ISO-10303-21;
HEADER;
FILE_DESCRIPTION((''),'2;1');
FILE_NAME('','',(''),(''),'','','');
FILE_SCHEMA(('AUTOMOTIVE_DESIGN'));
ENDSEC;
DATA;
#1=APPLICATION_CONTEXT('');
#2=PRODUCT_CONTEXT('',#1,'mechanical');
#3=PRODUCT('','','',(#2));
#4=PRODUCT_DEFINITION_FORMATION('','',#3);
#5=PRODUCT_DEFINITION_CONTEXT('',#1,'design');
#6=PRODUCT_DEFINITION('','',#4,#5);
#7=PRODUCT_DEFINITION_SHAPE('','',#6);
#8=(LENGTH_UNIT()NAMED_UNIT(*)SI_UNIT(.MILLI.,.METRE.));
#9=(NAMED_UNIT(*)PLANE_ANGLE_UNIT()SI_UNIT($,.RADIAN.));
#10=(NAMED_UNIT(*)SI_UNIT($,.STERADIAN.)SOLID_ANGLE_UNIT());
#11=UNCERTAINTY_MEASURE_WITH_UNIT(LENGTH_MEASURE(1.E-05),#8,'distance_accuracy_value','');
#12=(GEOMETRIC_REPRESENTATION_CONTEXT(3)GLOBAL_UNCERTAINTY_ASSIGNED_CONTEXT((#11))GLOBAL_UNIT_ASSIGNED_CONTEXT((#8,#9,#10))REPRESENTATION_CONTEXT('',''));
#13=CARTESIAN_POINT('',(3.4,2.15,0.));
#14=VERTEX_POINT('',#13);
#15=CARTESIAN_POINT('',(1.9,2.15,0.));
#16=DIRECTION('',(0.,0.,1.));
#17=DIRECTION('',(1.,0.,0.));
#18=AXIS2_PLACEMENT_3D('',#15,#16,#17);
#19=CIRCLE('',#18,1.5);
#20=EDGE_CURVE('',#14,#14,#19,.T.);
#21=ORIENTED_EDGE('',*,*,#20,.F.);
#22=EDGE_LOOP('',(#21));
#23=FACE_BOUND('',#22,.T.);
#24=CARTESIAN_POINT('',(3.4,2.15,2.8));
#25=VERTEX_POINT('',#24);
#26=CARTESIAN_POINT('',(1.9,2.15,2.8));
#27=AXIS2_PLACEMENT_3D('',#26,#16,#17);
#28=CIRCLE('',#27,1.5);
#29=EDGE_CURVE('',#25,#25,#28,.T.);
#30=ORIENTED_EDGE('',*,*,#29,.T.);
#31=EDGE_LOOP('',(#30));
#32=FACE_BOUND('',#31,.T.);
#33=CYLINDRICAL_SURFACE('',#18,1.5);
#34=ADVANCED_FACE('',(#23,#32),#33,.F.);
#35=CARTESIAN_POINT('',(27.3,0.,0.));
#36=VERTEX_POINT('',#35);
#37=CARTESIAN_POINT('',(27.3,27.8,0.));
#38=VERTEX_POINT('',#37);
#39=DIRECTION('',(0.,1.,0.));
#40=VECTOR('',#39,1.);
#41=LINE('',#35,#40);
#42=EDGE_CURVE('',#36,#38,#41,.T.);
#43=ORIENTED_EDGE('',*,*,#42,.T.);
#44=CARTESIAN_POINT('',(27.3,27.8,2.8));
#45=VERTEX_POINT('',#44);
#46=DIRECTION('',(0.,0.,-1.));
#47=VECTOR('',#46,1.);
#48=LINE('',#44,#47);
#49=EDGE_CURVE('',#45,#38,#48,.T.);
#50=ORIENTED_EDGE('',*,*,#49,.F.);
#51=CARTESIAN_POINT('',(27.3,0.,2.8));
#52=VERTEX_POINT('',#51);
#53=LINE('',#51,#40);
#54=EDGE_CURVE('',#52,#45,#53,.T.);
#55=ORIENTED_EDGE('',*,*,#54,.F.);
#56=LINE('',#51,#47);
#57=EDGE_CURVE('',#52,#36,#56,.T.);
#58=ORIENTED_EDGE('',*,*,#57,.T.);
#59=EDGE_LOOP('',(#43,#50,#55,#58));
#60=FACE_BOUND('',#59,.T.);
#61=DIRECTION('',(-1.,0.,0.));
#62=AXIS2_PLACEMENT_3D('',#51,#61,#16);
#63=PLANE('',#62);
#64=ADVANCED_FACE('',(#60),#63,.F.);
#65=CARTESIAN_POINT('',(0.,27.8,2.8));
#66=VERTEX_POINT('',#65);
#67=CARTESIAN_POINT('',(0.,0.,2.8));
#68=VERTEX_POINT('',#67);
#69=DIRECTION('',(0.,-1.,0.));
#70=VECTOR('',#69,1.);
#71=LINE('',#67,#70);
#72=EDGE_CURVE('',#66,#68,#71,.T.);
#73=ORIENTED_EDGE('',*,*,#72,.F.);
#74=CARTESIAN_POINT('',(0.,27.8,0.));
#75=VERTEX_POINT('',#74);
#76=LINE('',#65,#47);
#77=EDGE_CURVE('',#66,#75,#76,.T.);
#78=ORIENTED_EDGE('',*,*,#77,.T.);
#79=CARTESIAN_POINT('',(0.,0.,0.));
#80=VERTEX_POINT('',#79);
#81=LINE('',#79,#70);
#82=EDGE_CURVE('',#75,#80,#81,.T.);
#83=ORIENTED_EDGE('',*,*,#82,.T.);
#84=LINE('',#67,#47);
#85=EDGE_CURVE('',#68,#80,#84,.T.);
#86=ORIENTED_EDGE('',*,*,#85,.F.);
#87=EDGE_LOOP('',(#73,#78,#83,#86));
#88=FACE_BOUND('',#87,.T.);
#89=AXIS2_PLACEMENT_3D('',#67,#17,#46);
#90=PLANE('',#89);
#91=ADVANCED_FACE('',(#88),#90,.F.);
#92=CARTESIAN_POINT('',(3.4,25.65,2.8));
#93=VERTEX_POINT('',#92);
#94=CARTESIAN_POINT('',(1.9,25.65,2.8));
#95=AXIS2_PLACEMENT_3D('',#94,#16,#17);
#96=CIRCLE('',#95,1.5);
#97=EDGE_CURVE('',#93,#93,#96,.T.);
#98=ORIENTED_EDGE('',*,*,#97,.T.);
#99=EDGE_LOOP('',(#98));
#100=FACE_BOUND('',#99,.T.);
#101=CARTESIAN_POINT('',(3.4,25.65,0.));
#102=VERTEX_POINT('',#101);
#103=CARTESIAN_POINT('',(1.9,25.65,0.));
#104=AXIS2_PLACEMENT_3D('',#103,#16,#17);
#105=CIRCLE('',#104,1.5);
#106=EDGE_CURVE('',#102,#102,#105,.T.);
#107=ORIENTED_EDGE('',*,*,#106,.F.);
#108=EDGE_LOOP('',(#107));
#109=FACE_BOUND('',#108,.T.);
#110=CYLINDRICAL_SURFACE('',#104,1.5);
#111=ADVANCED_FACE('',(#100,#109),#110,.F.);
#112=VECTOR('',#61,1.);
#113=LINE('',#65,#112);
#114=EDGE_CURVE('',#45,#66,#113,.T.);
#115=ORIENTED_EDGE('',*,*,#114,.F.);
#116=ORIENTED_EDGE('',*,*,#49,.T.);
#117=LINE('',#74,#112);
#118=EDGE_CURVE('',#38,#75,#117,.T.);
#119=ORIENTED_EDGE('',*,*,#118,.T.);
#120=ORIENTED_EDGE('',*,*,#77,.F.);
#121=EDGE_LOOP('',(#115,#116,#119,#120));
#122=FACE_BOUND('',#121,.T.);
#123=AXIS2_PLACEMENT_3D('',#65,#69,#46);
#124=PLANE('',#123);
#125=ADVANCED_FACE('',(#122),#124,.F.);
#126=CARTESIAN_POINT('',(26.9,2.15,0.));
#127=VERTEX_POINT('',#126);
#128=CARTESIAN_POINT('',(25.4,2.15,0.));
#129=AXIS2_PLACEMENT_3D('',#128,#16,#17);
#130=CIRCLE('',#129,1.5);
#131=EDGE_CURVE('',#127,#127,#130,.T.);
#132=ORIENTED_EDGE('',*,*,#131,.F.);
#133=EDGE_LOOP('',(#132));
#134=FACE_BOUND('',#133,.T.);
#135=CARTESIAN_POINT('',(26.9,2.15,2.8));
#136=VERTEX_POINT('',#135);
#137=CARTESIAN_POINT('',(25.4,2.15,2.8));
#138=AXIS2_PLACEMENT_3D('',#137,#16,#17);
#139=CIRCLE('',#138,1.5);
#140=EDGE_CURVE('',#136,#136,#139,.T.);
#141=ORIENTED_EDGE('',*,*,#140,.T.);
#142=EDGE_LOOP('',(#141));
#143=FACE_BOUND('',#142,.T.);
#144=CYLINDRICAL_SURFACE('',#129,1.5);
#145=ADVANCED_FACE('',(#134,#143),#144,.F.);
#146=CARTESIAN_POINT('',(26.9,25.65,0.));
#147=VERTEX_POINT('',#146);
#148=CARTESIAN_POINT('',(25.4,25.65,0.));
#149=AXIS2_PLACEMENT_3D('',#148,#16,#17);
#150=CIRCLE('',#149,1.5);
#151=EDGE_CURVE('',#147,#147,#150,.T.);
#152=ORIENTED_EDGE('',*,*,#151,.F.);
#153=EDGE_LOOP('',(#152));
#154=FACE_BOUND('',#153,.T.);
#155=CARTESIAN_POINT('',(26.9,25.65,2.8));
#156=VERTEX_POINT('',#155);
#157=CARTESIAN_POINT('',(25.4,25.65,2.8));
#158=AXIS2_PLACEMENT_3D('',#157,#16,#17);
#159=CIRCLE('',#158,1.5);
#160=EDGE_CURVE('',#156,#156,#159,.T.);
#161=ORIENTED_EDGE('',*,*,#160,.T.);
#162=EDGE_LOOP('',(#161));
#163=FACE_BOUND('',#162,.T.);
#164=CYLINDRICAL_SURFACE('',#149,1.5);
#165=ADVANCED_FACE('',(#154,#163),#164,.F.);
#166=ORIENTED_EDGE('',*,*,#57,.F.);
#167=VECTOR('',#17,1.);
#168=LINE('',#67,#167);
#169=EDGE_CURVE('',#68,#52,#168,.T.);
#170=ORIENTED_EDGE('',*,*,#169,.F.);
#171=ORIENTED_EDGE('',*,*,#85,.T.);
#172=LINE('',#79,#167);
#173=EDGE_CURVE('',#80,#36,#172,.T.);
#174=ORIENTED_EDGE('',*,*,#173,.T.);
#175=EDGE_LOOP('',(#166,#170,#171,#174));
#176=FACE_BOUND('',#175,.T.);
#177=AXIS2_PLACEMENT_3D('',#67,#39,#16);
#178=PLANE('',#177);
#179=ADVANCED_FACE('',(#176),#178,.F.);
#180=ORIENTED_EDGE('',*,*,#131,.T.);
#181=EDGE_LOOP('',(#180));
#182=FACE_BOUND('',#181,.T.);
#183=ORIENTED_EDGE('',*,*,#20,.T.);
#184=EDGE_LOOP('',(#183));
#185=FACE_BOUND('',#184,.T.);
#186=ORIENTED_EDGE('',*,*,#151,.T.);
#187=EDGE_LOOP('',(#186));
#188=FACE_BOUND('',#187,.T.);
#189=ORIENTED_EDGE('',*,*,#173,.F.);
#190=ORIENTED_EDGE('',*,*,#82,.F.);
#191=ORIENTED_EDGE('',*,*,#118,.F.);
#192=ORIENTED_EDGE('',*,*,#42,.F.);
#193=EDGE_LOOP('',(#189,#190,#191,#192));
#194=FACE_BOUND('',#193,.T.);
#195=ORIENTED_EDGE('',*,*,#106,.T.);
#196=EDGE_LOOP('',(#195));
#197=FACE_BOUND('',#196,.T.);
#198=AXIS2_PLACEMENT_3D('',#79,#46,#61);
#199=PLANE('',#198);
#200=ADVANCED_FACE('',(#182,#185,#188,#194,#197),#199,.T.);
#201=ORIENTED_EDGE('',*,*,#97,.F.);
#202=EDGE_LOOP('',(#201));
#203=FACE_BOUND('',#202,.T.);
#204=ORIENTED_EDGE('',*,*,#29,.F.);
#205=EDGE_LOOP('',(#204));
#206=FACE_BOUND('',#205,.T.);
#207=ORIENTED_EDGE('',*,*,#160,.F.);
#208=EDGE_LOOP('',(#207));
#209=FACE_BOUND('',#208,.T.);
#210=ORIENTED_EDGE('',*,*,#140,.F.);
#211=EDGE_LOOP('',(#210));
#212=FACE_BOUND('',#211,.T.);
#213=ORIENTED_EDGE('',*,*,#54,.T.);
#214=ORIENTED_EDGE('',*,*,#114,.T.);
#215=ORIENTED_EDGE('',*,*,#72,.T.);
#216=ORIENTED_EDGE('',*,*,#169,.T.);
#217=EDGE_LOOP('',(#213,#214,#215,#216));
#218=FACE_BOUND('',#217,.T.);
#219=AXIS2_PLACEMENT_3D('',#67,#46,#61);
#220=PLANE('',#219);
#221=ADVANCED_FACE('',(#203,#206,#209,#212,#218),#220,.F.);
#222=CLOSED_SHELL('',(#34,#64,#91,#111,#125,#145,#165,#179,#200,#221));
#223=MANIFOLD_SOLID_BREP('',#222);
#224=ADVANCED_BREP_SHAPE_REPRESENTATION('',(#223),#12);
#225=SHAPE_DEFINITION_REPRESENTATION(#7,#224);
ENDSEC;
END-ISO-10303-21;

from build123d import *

# Parameters (mm, degrees)
SKETCH1_W           = 27.3
SKETCH1_H           = 27.8
BOSS_EXTRUDE1_DEPTH = 2.8
SKETCH2_R           = 1.5
CUT_EXTRUDE1_DEPTH  = 40.063665983


with BuildPart() as part:
    # Sketch1 → Boss-Extrude1 (new body)
    with BuildSketch(Plane.XY):
        with Locations((13.65, 13.9)):
            Rectangle(SKETCH1_W, SKETCH1_H)
    extrude(amount=BOSS_EXTRUDE1_DEPTH)

    # Sketch2 → Cut-Extrude1 (cut, through all)
    with BuildSketch(Plane.XY.offset(2.8)):
        with Locations((1.9, 25.65)):
            Circle(SKETCH2_R)
        with Locations((25.4, 25.65)):
            Circle(SKETCH2_R)
        with Locations((25.4, 2.15)):
            Circle(SKETCH2_R)
        with Locations((1.9, 2.15)):
            Circle(SKETCH2_R)
    extrude(amount=-CUT_EXTRUDE1_DEPTH, mode=Mode.SUBTRACT)


solid = part.part
